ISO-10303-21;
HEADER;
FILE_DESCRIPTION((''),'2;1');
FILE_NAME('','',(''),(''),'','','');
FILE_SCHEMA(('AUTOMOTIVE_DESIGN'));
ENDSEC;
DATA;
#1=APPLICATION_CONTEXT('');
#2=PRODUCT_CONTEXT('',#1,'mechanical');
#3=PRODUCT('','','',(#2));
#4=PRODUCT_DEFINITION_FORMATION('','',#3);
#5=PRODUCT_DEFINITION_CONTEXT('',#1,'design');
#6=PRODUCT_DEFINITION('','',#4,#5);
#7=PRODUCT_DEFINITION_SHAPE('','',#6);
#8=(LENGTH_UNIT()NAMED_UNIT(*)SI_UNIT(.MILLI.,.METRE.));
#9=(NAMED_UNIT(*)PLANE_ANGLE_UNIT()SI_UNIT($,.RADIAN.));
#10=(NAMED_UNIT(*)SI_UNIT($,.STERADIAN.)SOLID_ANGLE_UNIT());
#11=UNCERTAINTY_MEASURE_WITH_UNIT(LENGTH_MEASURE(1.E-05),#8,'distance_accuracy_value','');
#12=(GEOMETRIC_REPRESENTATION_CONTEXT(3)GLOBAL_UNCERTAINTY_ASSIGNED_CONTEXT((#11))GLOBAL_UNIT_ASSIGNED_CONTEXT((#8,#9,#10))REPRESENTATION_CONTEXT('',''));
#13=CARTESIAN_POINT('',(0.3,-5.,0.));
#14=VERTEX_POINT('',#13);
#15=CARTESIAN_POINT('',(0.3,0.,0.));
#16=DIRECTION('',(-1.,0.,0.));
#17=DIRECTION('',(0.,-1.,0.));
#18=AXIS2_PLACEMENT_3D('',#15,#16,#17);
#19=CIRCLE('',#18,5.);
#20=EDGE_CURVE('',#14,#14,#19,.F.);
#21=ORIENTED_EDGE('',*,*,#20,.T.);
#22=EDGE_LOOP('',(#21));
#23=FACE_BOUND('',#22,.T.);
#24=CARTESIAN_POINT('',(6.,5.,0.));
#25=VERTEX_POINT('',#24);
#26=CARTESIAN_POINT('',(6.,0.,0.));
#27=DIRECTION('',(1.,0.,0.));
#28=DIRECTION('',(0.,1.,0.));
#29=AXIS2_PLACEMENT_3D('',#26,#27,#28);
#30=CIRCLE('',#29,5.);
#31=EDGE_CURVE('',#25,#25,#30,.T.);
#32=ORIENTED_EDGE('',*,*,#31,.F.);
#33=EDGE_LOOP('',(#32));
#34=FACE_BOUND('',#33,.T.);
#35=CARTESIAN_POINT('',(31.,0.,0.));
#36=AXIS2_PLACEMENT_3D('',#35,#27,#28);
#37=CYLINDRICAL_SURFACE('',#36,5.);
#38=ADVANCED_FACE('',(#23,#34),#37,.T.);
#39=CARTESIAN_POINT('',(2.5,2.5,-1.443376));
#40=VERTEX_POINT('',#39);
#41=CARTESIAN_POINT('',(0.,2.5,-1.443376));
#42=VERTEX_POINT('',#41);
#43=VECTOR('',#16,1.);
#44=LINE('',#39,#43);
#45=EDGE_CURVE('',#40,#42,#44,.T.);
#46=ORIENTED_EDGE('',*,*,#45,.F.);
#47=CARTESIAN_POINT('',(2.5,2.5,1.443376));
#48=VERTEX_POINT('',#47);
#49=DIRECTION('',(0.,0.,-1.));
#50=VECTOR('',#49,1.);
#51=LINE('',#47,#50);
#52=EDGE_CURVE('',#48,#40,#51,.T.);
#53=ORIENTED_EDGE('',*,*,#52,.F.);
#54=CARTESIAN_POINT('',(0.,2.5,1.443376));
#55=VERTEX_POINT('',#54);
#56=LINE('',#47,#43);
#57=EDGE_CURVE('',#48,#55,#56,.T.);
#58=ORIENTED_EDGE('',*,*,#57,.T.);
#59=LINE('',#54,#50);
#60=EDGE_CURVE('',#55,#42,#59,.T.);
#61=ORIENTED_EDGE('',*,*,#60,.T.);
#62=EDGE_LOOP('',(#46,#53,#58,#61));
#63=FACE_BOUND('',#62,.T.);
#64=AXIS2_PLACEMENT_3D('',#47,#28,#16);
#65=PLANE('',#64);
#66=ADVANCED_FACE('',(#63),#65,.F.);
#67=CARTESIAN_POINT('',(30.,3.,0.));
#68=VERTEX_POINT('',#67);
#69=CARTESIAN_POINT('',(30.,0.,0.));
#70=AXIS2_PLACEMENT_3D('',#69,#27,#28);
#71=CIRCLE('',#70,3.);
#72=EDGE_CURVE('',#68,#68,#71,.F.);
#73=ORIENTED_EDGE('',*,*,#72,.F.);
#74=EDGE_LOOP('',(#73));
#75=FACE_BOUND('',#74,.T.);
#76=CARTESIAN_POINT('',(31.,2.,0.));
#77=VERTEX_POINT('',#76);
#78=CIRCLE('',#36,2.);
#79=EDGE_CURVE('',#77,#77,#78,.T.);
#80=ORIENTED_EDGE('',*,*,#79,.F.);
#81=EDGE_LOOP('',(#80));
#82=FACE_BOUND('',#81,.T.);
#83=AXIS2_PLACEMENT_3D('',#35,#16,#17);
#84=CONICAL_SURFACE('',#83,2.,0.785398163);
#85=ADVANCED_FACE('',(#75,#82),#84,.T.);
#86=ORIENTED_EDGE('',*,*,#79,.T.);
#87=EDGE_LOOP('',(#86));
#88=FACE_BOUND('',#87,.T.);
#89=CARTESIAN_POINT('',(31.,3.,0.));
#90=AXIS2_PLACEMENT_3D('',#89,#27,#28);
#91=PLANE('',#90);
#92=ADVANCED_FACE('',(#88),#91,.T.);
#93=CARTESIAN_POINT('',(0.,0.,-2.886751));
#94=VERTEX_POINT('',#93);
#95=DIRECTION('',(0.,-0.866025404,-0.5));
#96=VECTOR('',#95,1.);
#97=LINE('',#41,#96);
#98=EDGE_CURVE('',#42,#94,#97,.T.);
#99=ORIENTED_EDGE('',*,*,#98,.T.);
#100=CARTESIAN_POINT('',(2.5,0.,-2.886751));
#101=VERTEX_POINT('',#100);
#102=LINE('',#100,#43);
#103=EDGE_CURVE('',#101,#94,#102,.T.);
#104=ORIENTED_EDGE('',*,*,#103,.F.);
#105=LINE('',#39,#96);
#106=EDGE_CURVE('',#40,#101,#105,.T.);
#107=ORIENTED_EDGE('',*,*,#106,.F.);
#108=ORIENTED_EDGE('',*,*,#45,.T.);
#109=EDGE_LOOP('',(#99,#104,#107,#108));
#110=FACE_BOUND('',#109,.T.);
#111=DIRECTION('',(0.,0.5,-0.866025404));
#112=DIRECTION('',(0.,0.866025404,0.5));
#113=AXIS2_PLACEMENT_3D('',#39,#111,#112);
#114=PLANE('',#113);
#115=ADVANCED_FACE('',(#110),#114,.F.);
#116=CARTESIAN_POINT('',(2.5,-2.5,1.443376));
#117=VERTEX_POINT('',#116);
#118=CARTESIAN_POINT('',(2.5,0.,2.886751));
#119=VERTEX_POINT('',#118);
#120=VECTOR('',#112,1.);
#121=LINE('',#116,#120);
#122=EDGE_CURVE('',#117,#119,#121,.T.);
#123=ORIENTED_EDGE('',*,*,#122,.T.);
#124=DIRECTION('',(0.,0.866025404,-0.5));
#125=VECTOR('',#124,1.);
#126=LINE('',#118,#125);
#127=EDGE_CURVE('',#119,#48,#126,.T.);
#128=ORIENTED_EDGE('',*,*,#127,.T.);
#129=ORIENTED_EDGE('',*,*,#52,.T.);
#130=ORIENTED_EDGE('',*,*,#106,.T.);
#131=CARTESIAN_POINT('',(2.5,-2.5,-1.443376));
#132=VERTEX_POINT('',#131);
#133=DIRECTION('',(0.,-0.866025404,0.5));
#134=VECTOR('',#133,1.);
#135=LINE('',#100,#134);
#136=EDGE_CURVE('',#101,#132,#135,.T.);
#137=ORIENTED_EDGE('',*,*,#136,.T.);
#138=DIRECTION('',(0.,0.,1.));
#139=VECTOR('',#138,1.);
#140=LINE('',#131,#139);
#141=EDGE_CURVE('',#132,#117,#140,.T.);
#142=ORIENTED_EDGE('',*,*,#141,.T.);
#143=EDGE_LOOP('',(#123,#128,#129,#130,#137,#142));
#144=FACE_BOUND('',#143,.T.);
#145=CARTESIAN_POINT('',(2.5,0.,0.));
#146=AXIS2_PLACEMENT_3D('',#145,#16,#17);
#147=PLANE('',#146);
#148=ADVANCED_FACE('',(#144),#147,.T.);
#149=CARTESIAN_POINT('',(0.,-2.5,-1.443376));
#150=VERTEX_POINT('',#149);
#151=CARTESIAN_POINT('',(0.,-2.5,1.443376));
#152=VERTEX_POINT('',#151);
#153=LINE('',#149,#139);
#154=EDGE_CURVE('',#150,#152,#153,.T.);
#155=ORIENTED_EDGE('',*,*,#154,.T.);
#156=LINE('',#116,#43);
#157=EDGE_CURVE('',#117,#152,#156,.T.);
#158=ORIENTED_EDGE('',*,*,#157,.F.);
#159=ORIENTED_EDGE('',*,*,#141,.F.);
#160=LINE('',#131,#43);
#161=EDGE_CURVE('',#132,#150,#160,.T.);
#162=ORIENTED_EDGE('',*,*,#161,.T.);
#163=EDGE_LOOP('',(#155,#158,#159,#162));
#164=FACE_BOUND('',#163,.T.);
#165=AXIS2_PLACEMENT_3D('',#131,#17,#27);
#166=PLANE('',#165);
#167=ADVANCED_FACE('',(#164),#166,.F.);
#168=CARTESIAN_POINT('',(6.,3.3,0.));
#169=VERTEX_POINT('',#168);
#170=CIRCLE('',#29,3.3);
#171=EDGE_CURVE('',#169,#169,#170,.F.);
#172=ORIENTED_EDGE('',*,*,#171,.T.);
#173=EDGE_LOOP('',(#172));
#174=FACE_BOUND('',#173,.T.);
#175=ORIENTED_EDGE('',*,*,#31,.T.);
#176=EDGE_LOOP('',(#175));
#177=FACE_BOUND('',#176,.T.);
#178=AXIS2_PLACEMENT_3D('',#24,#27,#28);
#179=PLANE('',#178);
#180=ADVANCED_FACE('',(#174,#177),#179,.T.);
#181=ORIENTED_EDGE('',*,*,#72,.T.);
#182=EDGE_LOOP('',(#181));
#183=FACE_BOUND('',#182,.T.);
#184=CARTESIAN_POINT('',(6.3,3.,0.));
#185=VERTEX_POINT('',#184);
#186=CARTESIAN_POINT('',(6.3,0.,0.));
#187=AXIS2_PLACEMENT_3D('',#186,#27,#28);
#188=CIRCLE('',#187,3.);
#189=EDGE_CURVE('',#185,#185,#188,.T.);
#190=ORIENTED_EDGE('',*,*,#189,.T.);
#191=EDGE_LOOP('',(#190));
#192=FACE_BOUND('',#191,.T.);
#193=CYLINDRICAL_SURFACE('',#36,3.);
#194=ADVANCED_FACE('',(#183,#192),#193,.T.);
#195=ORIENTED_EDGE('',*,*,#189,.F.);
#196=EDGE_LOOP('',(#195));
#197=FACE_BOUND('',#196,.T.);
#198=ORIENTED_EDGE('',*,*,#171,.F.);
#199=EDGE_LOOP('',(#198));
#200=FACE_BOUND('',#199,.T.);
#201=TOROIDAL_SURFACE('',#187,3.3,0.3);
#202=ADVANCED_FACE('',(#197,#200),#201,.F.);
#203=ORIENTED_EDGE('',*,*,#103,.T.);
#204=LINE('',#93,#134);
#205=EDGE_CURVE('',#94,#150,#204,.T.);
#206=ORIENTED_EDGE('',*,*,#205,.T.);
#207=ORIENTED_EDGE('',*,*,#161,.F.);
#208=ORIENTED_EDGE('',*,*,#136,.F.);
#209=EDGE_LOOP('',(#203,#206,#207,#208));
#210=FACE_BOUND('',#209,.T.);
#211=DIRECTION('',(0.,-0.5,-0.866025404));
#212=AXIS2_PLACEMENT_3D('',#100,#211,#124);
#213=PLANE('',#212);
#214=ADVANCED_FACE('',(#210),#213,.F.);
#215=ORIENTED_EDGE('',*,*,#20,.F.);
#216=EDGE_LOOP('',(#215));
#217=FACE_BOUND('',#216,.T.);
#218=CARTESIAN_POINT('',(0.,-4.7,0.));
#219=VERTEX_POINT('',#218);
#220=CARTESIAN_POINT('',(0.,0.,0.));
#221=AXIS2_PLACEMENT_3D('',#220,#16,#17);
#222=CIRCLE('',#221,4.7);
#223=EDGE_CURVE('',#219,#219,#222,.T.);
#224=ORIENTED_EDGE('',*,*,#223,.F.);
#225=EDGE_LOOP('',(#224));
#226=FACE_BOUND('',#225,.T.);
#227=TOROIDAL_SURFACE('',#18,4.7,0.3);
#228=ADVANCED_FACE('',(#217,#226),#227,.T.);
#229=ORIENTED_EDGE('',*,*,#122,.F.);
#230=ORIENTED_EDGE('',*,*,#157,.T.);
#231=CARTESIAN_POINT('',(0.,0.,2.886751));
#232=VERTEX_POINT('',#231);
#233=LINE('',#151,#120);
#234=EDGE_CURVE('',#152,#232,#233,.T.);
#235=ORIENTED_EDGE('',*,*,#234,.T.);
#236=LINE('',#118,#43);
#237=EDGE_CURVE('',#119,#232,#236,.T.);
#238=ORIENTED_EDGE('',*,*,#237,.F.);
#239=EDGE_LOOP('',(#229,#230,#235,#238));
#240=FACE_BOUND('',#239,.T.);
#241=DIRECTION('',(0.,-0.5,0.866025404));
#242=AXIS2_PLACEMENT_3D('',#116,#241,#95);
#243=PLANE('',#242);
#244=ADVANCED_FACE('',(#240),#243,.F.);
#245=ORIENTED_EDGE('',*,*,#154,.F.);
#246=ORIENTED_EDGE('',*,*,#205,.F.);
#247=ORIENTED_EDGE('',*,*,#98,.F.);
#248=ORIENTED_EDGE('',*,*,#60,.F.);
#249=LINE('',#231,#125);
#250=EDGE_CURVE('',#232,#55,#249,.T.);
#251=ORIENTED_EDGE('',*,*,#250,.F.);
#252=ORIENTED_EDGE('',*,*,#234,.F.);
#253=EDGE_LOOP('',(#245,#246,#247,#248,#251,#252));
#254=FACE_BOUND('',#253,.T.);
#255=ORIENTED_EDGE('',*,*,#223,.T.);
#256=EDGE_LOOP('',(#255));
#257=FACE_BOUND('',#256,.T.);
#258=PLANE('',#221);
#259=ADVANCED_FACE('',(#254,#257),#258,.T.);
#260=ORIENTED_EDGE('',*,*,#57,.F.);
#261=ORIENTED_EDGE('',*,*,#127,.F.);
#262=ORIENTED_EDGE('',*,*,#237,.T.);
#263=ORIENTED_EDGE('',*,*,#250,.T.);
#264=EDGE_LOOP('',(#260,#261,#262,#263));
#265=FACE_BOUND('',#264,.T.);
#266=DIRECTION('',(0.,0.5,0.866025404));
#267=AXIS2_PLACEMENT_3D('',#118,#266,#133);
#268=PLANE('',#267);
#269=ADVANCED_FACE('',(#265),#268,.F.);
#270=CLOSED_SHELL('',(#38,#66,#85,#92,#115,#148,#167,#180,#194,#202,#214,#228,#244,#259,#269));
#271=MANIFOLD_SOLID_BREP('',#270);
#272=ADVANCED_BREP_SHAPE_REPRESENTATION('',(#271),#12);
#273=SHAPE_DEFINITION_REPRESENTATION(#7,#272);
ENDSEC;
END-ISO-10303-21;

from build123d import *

# Parameters (mm, degrees)
CUT_EXTRUDE_1_DEPTH = 2.5
FILLET_1_R          = 0.3
CHAMFER_1_SIZE      = 1


with BuildPart() as part:
    # Эскиз1 → Повернуть1 (revolve)
    with BuildSketch(Plane.XY):
        Polygon((0, 0), (0, 5), (6, 5), (6, 3), (31, 3), (31, 0), align=None)
    revolve(axis=Axis((31, 0, 0), (-1, 0, 0)))

    # Эскиз2 → Вырез-Вытянуть1 (cut)
    with BuildSketch(Plane.ZY):
        Polygon((-1.443375673, 2.5), (-2.886751346, 0), (-1.443375673, -2.5), (1.443375673, -2.5), (2.886751346, 0), (1.443375673, 2.5), align=None)
    extrude(amount=-CUT_EXTRUDE_1_DEPTH, mode=Mode.SUBTRACT)

    # Скругление1
    fillet_1_edges = [part.edges().sort_by_distance(p)[0] for p in [
        (6, -3, 0),
        (0, -5, 0),
    ]]
    fillet(fillet_1_edges, radius=FILLET_1_R)

    # Фаска1
    chamfer_1_edges = [part.edges().sort_by_distance(p)[0] for p in [
        (31, -3, 0),
    ]]
    chamfer(chamfer_1_edges, length=CHAMFER_1_SIZE)


solid = part.part
